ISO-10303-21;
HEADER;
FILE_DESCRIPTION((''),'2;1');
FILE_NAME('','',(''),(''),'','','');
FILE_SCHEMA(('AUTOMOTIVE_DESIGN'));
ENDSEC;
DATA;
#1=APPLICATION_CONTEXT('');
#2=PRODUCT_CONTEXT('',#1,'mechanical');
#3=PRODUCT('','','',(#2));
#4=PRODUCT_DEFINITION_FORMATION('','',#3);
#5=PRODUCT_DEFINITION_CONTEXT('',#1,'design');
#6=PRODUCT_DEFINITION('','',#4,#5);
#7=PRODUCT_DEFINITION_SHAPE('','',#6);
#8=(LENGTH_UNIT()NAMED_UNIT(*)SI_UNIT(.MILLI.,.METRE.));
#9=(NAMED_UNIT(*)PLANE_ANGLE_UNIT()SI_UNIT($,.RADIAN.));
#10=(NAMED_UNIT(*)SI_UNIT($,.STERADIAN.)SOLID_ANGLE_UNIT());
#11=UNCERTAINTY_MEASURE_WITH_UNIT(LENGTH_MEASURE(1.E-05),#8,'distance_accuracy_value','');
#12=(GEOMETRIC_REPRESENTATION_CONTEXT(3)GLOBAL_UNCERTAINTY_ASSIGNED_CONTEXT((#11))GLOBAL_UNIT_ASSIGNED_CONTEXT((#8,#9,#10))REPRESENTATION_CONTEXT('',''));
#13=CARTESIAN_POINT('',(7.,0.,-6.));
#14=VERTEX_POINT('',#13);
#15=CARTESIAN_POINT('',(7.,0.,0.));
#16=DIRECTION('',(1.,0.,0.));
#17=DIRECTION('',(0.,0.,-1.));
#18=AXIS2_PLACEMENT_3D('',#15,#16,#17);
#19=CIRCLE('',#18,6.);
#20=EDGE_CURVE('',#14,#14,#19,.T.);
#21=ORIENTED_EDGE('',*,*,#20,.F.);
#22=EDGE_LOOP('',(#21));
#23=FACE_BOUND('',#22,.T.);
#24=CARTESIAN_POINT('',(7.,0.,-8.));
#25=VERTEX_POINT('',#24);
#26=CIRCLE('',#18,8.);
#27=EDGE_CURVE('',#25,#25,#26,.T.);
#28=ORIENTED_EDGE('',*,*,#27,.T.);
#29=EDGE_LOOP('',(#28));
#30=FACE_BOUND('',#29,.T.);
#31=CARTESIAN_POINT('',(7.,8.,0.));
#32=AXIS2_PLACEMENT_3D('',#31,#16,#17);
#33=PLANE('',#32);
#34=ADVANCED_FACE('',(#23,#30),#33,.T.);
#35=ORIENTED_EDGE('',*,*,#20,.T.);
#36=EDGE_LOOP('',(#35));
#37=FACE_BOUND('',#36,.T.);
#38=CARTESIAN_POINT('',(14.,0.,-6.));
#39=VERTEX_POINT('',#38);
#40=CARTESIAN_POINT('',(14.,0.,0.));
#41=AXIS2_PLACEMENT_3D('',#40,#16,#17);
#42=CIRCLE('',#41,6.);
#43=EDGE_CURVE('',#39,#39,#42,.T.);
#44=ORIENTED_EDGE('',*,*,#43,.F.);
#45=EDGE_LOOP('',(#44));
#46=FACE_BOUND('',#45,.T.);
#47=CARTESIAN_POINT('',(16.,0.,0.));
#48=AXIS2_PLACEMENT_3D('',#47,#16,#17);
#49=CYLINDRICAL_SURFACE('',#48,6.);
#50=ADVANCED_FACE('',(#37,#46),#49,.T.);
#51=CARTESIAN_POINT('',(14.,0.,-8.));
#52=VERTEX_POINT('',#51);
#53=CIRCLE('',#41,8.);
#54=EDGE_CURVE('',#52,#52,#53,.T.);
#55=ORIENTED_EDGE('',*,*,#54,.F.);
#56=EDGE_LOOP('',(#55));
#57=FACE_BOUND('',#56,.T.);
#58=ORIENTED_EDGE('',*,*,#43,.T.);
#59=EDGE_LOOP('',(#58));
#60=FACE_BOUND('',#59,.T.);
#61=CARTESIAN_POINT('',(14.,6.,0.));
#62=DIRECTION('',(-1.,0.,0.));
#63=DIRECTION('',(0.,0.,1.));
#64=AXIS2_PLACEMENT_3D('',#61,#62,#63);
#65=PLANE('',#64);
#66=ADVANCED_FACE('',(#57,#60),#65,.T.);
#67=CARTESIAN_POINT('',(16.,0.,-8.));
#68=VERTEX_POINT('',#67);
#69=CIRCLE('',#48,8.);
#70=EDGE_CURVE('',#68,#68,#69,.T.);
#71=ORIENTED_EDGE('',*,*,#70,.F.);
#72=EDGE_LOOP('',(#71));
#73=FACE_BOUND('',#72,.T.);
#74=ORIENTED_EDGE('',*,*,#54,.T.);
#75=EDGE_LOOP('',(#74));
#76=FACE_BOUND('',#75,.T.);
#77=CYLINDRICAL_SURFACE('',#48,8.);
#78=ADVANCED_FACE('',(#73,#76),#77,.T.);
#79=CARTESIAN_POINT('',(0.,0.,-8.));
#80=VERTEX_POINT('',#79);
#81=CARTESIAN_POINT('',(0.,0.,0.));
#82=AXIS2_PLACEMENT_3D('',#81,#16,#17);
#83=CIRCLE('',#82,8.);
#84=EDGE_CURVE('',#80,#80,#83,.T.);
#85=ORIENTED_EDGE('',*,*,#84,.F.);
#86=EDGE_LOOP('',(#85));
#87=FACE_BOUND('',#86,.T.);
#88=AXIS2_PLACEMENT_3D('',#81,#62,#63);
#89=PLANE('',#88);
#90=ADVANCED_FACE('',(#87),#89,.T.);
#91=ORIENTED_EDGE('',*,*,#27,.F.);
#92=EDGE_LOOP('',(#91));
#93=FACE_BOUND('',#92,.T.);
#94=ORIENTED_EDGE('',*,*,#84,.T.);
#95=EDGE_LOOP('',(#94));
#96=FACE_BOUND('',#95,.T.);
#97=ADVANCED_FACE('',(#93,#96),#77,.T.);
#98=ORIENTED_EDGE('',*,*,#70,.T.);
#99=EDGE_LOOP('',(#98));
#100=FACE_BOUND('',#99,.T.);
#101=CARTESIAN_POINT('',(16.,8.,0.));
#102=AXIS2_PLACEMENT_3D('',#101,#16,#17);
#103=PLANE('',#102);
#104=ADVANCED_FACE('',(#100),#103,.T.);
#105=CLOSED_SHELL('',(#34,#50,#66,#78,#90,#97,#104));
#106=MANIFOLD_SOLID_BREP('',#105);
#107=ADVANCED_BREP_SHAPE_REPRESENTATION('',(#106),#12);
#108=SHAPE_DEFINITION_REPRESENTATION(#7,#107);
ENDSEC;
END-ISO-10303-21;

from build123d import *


with BuildPart() as part:
    # Sketch1 → Revolve1 (revolve)
    with BuildSketch(Plane.XY, mode=Mode.PRIVATE) as revolve1_sk:
        Polygon((0, 0), (0, 8), (7, 8), (7, 6), (14, 6), (14, 8), (16, 8), (16, 0), align=None)
    revolve(revolve1_sk.sketch.rotate(Axis((16, 0, 0), (-1, 0, 0)), 90), axis=Axis((16, 0, 0), (-1, 0, 0)))


solid = part.part
